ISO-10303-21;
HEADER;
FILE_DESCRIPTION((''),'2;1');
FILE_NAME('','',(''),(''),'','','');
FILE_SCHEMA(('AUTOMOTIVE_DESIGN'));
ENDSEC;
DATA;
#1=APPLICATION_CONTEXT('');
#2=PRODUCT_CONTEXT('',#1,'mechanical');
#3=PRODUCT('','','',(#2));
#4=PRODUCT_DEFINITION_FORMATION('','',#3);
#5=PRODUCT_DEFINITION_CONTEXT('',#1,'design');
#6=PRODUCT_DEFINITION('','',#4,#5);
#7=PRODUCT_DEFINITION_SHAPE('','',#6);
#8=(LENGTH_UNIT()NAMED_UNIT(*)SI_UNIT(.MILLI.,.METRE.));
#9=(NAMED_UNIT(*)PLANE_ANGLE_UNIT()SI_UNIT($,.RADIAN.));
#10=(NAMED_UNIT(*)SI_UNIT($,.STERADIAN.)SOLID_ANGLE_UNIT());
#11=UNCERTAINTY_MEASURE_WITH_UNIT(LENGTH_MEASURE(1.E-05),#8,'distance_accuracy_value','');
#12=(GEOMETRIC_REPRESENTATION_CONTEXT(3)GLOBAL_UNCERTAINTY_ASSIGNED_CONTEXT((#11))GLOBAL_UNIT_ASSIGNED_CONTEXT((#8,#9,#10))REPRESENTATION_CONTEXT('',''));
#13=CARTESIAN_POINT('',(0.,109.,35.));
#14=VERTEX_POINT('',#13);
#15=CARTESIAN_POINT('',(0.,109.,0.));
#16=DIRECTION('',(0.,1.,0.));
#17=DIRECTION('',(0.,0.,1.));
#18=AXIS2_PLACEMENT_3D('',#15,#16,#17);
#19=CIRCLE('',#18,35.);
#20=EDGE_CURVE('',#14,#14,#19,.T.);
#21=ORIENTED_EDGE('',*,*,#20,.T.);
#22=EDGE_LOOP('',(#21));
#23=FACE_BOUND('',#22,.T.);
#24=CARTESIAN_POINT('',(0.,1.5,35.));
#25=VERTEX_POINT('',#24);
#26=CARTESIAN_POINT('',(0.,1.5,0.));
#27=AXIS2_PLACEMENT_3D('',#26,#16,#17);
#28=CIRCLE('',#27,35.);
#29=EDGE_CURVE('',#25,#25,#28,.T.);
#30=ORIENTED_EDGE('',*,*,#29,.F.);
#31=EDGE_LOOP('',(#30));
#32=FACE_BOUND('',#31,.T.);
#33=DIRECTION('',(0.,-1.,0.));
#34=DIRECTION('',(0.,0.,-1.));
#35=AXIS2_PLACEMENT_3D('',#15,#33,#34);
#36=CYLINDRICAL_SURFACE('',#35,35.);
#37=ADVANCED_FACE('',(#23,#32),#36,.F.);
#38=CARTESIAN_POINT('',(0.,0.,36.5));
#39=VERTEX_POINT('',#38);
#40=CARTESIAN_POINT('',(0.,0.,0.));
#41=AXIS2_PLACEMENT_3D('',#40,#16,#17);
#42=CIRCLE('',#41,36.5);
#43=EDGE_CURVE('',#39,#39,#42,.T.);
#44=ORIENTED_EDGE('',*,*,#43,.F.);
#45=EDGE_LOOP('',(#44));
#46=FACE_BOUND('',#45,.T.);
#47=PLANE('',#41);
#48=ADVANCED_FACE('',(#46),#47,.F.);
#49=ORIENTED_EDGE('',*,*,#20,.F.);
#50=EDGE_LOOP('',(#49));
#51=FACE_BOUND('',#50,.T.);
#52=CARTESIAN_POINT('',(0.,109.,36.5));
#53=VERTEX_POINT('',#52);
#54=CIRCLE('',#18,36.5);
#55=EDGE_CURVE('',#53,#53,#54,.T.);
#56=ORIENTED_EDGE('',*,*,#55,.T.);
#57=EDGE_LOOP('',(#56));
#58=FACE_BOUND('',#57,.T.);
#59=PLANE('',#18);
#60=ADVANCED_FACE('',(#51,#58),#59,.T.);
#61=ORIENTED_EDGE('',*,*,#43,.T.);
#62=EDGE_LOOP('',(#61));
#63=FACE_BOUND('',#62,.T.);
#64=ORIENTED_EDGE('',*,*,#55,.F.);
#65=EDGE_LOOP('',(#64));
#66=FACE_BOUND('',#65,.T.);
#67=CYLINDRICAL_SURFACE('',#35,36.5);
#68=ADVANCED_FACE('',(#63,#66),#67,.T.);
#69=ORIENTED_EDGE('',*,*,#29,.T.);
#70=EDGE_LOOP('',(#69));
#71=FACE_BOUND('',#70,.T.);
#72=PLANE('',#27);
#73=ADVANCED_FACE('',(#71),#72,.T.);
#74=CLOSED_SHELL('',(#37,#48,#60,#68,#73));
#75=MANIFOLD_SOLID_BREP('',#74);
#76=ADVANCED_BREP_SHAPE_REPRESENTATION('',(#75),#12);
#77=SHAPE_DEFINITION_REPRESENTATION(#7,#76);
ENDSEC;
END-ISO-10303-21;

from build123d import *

# Parameters (mm, degrees)
ESQUISSE1_R        = 36.5
BOSS_EXTRU_1_DEPTH = 109
COQUE1_T           = -1.5


with BuildPart() as part:
    # Esquisse1 → Boss.-Extru.1 (new body)
    with BuildSketch(Plane(origin=(0, 0, 0), x_dir=(1, 0, 0), z_dir=(0, 1, 0))):
        with Locations(Location((0, 0, 0), (0, 0, 270))):
            Circle(ESQUISSE1_R)
    extrude(amount=BOSS_EXTRU_1_DEPTH)

    # Coque1
    coque1_openings = [part.faces().sort_by_distance(p)[0] for p in [
        (0, 109, 0),
    ]]
    offset(amount=COQUE1_T, openings=coque1_openings, kind=Kind.INTERSECTION)


solid = part.part
